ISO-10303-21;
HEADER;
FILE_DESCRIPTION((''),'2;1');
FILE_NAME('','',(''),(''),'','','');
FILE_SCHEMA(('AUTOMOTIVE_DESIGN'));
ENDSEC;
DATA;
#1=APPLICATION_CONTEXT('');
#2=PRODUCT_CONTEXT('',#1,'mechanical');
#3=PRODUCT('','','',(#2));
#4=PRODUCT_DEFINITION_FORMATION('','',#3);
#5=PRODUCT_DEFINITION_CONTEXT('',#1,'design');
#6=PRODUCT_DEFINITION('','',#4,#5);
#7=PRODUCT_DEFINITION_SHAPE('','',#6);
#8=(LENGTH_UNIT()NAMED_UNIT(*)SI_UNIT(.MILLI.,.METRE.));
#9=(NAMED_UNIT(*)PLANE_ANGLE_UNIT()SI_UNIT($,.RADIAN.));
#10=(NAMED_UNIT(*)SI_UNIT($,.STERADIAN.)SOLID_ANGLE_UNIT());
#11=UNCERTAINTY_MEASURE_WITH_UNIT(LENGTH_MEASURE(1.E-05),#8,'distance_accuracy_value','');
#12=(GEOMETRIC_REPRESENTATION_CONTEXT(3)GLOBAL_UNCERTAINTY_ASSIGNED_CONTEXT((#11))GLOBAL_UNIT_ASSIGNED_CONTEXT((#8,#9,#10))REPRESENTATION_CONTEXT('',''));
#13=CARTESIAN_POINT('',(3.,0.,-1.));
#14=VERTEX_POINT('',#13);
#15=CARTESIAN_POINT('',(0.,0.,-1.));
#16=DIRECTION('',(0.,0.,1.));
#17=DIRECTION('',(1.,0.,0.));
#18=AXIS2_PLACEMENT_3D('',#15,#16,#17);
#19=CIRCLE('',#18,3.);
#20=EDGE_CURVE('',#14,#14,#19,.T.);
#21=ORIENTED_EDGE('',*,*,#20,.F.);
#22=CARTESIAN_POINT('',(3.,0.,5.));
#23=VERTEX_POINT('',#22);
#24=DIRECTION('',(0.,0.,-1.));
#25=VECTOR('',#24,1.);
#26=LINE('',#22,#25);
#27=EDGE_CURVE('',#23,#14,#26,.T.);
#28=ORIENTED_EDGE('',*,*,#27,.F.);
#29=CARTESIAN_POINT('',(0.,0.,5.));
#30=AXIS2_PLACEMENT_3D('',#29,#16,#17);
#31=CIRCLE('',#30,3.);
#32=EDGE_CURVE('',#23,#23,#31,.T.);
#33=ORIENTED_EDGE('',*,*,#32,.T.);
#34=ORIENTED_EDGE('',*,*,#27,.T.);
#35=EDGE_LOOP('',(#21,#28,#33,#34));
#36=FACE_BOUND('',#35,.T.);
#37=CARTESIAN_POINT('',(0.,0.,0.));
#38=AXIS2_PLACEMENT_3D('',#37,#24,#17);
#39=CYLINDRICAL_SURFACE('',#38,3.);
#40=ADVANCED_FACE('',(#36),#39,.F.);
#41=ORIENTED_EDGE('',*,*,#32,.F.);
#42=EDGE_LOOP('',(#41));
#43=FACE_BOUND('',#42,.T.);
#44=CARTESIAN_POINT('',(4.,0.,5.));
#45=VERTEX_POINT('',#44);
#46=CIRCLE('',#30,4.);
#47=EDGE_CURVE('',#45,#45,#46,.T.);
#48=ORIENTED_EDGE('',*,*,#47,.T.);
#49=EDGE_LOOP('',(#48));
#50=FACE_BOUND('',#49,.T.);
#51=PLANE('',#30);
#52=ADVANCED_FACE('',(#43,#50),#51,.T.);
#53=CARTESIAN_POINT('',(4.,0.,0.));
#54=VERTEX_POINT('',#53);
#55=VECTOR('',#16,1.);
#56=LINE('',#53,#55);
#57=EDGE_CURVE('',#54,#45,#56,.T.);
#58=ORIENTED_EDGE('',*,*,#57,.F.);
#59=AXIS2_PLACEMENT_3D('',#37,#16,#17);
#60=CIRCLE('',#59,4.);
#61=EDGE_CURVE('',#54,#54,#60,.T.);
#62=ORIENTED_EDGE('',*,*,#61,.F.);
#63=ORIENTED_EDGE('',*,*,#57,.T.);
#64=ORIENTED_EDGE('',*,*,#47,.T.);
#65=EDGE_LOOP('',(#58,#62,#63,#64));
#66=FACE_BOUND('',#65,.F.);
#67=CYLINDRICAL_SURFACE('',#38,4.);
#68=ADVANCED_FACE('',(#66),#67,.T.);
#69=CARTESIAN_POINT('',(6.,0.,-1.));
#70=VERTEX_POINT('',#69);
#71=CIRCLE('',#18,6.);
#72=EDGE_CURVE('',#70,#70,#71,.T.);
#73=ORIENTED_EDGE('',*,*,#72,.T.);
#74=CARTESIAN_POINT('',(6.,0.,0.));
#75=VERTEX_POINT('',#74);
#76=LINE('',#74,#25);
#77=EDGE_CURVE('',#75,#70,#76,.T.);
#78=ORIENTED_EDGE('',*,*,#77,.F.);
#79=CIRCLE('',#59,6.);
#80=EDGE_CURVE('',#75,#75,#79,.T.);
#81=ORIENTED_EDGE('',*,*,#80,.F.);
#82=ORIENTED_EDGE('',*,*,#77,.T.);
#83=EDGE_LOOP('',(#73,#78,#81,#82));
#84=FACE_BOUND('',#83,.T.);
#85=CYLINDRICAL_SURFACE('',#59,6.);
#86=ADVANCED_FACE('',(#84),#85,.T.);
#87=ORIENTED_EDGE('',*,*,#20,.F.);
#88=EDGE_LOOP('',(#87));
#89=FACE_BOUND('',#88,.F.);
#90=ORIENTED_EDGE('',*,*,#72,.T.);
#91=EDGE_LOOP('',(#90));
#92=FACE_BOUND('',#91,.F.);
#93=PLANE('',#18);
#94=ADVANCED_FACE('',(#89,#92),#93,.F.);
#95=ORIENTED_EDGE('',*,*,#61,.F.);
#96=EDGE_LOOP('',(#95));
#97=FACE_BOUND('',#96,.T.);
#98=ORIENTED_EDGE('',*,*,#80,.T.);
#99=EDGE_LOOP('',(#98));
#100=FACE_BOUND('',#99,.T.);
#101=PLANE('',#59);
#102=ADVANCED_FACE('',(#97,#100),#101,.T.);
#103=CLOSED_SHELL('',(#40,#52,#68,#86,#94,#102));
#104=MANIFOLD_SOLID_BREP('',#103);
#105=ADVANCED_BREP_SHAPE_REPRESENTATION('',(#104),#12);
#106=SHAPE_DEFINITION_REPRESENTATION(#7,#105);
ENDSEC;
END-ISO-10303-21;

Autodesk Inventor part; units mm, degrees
ref_plane "YZ Plane" through (0, 0, 0) normal (1, 0, 0) x (0, 1, 0)
ref_plane "XZ Plane" through (0, 0, 0) normal (0, 1, 0) x (-1, 0, 0)
ref_plane "XY Plane" through (0, 0, 0) normal (0, 0, 1) x (1, 0, 0)
sketch "スケッチ1" plane through (0, 0, 0) normal (0, 0, 1) x (1, 0, 0)
  circle A0 centre (0, 0) radius 3
  circle A1 centre (0, 0) radius 4
  circle A2 centre (0, 0) radius 6
  dimension "d0" = 6
  dimension "d1" = 8
  dimension "d4" = 12
extrude "押し出し1" add sketch "スケッチ1" along normal blind 5 contours A1
extrude "押し出し2" add sketch "スケッチ1" against normal blind 1 contours A1 | A2
properties part number "オイレスFd6D8L6" material "アセタール樹脂、黒"
